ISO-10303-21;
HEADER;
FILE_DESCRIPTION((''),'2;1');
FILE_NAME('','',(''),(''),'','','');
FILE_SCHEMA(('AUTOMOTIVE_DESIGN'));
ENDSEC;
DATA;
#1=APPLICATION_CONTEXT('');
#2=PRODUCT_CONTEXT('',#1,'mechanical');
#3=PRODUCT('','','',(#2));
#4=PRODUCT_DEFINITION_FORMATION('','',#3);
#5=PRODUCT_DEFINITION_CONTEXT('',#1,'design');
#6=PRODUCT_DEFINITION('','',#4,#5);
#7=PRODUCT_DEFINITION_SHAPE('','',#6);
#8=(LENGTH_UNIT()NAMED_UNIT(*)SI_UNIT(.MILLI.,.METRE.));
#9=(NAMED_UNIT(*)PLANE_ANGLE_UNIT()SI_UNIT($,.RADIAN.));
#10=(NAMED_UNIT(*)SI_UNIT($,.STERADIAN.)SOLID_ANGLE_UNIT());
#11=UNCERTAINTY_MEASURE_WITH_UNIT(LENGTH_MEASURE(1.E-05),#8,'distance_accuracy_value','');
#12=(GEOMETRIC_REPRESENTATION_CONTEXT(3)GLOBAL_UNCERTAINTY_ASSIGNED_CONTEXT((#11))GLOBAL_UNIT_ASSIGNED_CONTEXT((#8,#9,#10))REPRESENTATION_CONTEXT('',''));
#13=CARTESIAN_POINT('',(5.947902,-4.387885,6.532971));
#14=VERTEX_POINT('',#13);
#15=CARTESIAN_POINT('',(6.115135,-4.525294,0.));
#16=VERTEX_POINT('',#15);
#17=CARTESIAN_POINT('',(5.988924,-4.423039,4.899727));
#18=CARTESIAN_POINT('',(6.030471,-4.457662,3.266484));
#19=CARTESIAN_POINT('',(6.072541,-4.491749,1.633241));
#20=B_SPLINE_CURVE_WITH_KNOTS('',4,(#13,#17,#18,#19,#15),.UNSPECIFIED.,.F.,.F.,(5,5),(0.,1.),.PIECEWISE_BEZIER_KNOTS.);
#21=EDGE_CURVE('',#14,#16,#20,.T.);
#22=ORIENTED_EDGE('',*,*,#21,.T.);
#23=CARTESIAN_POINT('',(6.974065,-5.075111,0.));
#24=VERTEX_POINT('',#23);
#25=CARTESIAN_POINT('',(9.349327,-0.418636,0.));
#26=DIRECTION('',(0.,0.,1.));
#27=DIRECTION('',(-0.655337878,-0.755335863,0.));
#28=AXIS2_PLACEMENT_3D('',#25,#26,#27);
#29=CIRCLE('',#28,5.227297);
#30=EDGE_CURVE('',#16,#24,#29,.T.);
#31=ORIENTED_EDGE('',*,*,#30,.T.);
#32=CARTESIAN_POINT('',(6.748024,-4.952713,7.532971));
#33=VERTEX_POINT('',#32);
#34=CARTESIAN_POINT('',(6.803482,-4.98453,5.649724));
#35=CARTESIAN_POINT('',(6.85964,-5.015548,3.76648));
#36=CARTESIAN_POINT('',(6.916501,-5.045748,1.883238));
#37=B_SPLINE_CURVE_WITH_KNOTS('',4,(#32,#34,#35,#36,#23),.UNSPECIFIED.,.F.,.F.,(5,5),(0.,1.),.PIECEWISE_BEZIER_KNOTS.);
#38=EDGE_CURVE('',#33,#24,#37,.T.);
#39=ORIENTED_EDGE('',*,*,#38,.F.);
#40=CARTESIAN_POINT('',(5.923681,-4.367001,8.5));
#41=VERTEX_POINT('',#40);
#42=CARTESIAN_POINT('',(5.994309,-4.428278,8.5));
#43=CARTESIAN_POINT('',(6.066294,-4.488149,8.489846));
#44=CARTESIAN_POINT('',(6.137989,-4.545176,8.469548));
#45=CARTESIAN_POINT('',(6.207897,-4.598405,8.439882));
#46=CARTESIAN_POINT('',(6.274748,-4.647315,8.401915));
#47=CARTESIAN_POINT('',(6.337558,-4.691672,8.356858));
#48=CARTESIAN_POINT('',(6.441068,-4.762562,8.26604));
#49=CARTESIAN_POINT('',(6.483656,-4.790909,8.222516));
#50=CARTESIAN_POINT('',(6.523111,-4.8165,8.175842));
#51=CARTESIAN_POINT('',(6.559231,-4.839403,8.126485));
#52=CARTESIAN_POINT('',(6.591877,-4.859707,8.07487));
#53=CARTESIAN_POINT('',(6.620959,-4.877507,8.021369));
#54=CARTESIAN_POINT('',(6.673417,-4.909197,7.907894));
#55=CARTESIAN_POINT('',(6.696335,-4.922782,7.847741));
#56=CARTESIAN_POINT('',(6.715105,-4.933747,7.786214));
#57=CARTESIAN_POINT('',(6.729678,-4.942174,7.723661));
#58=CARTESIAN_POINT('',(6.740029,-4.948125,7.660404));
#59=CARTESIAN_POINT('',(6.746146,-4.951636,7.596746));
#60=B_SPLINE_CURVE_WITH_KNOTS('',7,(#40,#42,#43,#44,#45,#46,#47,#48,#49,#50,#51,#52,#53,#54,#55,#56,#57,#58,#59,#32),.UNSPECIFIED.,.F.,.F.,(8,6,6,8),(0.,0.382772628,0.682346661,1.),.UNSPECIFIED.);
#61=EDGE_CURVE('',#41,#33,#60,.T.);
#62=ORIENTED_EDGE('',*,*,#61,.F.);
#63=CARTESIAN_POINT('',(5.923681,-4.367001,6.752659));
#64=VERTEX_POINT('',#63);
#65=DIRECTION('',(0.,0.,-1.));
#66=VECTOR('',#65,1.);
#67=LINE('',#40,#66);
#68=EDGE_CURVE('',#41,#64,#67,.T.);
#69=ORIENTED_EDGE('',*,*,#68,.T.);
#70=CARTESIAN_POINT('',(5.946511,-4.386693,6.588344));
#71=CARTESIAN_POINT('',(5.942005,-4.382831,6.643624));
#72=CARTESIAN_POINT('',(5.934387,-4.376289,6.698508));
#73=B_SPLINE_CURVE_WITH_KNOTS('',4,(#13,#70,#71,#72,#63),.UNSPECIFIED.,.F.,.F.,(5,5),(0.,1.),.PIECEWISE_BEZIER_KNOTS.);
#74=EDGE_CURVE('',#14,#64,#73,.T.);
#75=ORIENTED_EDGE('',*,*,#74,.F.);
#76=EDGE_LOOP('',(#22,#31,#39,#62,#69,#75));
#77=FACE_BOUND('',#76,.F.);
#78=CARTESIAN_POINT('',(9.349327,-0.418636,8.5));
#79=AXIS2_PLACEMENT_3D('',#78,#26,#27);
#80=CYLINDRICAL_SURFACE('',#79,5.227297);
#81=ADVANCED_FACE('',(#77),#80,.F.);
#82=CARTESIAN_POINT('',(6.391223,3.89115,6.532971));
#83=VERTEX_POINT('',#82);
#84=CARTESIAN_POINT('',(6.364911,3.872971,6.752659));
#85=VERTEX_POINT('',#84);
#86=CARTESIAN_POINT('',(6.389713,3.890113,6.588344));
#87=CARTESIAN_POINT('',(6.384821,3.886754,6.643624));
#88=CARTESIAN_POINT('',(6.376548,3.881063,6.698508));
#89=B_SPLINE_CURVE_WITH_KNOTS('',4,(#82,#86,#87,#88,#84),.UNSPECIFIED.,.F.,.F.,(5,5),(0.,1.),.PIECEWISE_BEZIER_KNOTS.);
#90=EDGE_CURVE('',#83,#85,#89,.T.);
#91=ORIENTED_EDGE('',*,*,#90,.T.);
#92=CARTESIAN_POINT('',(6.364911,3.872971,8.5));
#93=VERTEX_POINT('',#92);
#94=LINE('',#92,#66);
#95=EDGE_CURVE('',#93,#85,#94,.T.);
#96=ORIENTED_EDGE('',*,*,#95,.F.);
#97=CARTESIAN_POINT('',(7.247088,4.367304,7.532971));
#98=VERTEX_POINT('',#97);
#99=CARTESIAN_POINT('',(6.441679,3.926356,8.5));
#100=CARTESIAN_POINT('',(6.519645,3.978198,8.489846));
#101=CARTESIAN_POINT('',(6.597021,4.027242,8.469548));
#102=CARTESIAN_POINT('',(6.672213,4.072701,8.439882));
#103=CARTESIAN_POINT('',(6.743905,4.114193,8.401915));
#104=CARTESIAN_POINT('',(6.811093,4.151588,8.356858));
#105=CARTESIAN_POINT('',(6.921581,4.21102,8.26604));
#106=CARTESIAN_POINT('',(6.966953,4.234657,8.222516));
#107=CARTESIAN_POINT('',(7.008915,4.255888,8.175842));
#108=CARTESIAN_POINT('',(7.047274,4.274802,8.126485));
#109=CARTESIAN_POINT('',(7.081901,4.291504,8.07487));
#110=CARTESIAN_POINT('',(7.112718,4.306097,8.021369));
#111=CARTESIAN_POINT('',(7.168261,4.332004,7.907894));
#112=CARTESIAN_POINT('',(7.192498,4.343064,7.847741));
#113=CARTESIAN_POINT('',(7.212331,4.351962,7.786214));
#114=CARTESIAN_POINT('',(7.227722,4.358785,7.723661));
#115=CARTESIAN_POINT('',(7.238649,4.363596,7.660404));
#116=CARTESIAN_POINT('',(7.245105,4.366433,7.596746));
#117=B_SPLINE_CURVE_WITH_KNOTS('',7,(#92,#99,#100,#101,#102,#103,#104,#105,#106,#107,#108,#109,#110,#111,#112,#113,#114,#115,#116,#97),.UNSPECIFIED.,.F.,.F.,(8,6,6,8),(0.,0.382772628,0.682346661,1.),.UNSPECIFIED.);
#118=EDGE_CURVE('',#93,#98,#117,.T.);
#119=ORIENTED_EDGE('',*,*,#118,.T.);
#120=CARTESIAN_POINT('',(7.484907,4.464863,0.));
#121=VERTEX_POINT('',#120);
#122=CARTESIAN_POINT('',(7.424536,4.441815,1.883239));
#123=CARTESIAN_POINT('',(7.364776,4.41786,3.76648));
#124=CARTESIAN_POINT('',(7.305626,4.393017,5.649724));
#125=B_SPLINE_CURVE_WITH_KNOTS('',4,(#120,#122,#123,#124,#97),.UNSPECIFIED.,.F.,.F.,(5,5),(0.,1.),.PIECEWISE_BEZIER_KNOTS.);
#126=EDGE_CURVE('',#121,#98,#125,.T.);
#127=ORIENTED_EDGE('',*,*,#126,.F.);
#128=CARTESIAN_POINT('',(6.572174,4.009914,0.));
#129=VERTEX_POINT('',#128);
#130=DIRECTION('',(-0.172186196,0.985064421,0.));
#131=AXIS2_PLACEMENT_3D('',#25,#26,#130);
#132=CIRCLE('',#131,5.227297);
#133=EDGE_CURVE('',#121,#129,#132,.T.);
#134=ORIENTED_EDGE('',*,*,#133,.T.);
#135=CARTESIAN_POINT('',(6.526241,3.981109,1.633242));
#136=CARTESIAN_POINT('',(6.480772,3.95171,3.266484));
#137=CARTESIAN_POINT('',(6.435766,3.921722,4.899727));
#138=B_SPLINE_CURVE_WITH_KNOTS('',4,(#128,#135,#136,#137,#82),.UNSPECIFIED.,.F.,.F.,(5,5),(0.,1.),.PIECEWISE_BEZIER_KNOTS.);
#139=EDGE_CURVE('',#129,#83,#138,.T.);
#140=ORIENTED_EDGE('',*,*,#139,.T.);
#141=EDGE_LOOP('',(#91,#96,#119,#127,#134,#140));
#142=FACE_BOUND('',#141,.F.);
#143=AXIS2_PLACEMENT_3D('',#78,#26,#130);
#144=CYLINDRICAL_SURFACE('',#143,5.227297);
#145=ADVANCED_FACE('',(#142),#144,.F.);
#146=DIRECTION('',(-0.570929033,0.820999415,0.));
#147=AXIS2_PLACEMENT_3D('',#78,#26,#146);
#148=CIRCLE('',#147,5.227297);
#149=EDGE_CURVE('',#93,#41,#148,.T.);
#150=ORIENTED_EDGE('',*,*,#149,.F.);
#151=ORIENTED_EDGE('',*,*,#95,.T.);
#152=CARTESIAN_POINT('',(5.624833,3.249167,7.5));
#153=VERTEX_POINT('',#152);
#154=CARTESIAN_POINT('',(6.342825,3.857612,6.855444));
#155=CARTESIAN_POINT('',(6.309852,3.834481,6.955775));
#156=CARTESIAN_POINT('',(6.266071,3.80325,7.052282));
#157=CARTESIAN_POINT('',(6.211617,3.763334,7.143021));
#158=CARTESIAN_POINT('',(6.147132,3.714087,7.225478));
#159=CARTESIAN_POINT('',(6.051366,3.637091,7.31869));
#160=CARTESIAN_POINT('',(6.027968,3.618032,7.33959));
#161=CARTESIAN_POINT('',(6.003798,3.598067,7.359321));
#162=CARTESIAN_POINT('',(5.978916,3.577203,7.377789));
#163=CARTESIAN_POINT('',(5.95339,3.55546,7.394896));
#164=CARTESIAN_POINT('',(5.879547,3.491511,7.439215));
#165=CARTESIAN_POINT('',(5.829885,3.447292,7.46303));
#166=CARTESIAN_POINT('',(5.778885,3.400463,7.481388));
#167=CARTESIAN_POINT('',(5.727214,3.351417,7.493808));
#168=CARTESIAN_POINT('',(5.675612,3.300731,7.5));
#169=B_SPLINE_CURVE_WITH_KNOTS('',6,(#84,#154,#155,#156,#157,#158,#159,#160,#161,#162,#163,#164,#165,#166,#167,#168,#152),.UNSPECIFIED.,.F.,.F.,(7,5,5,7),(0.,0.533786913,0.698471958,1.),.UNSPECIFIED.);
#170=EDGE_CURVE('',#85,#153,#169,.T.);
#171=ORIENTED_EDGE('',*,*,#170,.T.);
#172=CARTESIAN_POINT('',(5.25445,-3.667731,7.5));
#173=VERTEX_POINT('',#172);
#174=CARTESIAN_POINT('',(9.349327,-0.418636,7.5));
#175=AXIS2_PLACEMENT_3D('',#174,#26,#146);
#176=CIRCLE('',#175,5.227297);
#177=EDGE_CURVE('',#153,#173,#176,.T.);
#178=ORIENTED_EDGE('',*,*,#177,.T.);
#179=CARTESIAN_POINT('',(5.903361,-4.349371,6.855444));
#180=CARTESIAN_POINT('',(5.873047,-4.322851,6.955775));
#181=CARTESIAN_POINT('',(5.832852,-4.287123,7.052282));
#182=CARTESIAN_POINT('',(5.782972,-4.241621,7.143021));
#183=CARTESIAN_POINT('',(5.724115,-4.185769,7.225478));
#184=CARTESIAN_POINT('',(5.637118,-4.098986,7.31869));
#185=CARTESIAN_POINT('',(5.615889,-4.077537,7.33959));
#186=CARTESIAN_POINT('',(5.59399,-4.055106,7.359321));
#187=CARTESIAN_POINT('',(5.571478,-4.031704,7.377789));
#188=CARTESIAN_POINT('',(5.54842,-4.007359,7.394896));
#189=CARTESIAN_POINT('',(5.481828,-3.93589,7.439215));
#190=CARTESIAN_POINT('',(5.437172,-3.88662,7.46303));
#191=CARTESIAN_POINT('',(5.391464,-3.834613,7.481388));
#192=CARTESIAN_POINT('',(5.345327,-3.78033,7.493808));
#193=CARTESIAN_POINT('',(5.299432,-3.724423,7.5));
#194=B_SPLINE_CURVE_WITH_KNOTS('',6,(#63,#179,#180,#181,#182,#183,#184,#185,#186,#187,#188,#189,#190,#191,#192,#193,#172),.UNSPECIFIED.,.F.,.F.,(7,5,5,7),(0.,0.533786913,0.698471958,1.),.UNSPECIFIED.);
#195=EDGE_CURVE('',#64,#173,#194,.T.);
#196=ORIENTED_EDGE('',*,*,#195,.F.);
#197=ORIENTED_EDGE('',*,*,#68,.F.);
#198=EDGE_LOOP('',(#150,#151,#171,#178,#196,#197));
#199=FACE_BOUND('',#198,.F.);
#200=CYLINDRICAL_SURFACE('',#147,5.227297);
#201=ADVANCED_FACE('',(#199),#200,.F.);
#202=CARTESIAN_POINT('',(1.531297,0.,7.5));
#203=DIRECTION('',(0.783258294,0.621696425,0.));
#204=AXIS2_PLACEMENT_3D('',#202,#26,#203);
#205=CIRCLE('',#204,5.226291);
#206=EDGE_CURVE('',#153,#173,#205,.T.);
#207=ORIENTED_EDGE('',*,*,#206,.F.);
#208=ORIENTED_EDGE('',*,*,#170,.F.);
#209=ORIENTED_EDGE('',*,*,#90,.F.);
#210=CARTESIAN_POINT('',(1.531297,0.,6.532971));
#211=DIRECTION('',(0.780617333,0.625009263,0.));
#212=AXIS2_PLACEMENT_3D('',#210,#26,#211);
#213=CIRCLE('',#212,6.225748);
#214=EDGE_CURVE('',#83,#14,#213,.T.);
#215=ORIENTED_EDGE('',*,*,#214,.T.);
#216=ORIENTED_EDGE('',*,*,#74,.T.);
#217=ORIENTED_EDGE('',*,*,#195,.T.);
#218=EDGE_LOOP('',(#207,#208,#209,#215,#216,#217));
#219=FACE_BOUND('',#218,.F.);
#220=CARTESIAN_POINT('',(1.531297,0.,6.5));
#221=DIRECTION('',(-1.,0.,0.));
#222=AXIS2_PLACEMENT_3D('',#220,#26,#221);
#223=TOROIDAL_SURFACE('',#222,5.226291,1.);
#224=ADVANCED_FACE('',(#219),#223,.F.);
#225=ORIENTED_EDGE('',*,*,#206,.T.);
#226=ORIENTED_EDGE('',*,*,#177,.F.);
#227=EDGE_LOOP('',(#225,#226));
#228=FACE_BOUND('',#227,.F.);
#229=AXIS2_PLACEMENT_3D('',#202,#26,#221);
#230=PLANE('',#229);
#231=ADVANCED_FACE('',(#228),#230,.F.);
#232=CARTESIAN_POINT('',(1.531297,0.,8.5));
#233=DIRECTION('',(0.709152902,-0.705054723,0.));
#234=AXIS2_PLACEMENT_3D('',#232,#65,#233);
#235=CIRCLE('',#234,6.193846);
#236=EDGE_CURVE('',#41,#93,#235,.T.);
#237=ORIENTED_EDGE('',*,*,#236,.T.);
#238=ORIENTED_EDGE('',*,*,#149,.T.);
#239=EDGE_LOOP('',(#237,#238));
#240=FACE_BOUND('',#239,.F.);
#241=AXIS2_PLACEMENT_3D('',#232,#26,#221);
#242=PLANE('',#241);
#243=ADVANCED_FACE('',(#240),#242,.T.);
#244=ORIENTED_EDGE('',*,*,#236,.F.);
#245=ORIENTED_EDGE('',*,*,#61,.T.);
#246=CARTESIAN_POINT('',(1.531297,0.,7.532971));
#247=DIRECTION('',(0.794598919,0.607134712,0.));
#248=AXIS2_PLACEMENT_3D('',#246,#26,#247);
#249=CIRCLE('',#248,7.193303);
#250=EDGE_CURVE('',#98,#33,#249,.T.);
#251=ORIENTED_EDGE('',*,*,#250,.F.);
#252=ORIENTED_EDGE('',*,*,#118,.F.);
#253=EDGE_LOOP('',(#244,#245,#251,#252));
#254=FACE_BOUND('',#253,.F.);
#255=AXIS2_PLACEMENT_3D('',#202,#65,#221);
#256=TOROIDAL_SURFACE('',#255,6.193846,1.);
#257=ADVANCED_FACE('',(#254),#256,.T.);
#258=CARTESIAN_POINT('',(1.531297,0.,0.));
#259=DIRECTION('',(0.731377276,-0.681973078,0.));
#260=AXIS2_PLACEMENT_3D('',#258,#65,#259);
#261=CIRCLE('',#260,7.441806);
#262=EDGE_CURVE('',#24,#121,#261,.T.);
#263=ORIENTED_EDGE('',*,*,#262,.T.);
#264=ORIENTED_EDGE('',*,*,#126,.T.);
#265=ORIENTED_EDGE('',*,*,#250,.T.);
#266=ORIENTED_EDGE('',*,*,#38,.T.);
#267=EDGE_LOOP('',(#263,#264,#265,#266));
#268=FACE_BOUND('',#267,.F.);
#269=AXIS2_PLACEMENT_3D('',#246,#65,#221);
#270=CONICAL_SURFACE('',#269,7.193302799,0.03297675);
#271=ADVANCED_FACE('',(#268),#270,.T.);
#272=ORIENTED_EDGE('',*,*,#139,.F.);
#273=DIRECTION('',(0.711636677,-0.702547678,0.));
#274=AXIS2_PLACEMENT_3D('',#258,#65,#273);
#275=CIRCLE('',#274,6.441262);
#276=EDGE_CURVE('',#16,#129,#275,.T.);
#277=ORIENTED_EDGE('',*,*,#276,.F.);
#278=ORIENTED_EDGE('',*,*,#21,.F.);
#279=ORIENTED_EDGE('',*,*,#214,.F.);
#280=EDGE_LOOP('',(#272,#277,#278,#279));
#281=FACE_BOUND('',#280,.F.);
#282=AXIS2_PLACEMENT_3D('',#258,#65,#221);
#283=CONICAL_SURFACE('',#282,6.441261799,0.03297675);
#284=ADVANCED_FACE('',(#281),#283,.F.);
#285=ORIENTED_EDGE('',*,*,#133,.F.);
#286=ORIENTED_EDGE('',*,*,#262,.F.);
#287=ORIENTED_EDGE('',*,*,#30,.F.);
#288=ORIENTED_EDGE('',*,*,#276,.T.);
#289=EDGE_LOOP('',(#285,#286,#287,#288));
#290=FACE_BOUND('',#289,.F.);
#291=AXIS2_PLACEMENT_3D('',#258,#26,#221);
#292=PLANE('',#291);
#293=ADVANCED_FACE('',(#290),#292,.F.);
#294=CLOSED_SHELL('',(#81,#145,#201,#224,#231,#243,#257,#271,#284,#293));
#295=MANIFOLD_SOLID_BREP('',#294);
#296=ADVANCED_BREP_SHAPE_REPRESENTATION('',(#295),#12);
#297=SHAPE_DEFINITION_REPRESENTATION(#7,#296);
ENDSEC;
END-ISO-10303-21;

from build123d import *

# Parameters (mm, degrees)
F3_DEPTH = 12


with BuildPart() as f1:
    # F0 (on Front) → F1 (revolve)
    with BuildSketch(Plane.XZ):
        with BuildLine():
            Line((-4.9099648833, 0), (-4.6944506121, 6.5329707735))
            ThreePointArc((-4.6944506121, 6.5329707735), (-4.3903464464, 7.2186691775), (-3.6949942959, 7.5))
            Line((-3.6949942959, 7.5), (1.5312969158, 7.5))
            Line((1.5312969158, 7.5), (1.5312969158, 8.5))
            Line((1.5312969158, 8.5), (-4.6625495664, 8.5))
            ThreePointArc((-4.6625495664, 8.5), (-5.357901717, 8.2186691775), (-5.6620058827, 7.5329707735))
            Line((-5.6620058827, 7.5329707735), (-5.9105088628, 0))
            Line((-5.9105088628, 0), (-4.9099648833, 0))
        make_face()
    revolve(axis=Axis((1.5312969158, 0, 4.25), (0, 0, 1)))

    # F2 (on face) → F3 (cut)
    with BuildSketch(Plane.XY.offset(8.5)):
        with BuildLine():
            ThreePointArc((7.7251433981, 0), (7.3751996805, 2.0524460342), (6.364911195, 3.8729713717))
            ThreePointArc((6.364911195, 3.8729713717), (4.1295081061, -0.1391277666), (5.923681122, -4.3670007135))
            ThreePointArc((5.923681122, -4.3670007135), (7.257093267, -2.3619886517), (7.7251433981, 0))
        make_face()
        with BuildLine():
            Line((11.2427216341, -5.2909748964), (8.4492582828, 4.7305878252))
            ThreePointArc((8.4492582828, 4.7305878252), (7.360311783, 4.4154563754), (6.364911195, 3.8729713717))
            ThreePointArc((6.364911195, 3.8729713717), (7.3751996805, 2.0524460342), (7.7251433981, 0))
            ThreePointArc((7.7251433981, 0), (7.257093267, -2.3619886517), (5.923681122, -4.3670007135))
            ThreePointArc((5.923681122, -4.3670007135), (8.4546870483, -5.5688060156), (11.2427216341, -5.2909748964))
        make_face()
    extrude(amount=-F3_DEPTH, mode=Mode.SUBTRACT)


solid = f1.part
